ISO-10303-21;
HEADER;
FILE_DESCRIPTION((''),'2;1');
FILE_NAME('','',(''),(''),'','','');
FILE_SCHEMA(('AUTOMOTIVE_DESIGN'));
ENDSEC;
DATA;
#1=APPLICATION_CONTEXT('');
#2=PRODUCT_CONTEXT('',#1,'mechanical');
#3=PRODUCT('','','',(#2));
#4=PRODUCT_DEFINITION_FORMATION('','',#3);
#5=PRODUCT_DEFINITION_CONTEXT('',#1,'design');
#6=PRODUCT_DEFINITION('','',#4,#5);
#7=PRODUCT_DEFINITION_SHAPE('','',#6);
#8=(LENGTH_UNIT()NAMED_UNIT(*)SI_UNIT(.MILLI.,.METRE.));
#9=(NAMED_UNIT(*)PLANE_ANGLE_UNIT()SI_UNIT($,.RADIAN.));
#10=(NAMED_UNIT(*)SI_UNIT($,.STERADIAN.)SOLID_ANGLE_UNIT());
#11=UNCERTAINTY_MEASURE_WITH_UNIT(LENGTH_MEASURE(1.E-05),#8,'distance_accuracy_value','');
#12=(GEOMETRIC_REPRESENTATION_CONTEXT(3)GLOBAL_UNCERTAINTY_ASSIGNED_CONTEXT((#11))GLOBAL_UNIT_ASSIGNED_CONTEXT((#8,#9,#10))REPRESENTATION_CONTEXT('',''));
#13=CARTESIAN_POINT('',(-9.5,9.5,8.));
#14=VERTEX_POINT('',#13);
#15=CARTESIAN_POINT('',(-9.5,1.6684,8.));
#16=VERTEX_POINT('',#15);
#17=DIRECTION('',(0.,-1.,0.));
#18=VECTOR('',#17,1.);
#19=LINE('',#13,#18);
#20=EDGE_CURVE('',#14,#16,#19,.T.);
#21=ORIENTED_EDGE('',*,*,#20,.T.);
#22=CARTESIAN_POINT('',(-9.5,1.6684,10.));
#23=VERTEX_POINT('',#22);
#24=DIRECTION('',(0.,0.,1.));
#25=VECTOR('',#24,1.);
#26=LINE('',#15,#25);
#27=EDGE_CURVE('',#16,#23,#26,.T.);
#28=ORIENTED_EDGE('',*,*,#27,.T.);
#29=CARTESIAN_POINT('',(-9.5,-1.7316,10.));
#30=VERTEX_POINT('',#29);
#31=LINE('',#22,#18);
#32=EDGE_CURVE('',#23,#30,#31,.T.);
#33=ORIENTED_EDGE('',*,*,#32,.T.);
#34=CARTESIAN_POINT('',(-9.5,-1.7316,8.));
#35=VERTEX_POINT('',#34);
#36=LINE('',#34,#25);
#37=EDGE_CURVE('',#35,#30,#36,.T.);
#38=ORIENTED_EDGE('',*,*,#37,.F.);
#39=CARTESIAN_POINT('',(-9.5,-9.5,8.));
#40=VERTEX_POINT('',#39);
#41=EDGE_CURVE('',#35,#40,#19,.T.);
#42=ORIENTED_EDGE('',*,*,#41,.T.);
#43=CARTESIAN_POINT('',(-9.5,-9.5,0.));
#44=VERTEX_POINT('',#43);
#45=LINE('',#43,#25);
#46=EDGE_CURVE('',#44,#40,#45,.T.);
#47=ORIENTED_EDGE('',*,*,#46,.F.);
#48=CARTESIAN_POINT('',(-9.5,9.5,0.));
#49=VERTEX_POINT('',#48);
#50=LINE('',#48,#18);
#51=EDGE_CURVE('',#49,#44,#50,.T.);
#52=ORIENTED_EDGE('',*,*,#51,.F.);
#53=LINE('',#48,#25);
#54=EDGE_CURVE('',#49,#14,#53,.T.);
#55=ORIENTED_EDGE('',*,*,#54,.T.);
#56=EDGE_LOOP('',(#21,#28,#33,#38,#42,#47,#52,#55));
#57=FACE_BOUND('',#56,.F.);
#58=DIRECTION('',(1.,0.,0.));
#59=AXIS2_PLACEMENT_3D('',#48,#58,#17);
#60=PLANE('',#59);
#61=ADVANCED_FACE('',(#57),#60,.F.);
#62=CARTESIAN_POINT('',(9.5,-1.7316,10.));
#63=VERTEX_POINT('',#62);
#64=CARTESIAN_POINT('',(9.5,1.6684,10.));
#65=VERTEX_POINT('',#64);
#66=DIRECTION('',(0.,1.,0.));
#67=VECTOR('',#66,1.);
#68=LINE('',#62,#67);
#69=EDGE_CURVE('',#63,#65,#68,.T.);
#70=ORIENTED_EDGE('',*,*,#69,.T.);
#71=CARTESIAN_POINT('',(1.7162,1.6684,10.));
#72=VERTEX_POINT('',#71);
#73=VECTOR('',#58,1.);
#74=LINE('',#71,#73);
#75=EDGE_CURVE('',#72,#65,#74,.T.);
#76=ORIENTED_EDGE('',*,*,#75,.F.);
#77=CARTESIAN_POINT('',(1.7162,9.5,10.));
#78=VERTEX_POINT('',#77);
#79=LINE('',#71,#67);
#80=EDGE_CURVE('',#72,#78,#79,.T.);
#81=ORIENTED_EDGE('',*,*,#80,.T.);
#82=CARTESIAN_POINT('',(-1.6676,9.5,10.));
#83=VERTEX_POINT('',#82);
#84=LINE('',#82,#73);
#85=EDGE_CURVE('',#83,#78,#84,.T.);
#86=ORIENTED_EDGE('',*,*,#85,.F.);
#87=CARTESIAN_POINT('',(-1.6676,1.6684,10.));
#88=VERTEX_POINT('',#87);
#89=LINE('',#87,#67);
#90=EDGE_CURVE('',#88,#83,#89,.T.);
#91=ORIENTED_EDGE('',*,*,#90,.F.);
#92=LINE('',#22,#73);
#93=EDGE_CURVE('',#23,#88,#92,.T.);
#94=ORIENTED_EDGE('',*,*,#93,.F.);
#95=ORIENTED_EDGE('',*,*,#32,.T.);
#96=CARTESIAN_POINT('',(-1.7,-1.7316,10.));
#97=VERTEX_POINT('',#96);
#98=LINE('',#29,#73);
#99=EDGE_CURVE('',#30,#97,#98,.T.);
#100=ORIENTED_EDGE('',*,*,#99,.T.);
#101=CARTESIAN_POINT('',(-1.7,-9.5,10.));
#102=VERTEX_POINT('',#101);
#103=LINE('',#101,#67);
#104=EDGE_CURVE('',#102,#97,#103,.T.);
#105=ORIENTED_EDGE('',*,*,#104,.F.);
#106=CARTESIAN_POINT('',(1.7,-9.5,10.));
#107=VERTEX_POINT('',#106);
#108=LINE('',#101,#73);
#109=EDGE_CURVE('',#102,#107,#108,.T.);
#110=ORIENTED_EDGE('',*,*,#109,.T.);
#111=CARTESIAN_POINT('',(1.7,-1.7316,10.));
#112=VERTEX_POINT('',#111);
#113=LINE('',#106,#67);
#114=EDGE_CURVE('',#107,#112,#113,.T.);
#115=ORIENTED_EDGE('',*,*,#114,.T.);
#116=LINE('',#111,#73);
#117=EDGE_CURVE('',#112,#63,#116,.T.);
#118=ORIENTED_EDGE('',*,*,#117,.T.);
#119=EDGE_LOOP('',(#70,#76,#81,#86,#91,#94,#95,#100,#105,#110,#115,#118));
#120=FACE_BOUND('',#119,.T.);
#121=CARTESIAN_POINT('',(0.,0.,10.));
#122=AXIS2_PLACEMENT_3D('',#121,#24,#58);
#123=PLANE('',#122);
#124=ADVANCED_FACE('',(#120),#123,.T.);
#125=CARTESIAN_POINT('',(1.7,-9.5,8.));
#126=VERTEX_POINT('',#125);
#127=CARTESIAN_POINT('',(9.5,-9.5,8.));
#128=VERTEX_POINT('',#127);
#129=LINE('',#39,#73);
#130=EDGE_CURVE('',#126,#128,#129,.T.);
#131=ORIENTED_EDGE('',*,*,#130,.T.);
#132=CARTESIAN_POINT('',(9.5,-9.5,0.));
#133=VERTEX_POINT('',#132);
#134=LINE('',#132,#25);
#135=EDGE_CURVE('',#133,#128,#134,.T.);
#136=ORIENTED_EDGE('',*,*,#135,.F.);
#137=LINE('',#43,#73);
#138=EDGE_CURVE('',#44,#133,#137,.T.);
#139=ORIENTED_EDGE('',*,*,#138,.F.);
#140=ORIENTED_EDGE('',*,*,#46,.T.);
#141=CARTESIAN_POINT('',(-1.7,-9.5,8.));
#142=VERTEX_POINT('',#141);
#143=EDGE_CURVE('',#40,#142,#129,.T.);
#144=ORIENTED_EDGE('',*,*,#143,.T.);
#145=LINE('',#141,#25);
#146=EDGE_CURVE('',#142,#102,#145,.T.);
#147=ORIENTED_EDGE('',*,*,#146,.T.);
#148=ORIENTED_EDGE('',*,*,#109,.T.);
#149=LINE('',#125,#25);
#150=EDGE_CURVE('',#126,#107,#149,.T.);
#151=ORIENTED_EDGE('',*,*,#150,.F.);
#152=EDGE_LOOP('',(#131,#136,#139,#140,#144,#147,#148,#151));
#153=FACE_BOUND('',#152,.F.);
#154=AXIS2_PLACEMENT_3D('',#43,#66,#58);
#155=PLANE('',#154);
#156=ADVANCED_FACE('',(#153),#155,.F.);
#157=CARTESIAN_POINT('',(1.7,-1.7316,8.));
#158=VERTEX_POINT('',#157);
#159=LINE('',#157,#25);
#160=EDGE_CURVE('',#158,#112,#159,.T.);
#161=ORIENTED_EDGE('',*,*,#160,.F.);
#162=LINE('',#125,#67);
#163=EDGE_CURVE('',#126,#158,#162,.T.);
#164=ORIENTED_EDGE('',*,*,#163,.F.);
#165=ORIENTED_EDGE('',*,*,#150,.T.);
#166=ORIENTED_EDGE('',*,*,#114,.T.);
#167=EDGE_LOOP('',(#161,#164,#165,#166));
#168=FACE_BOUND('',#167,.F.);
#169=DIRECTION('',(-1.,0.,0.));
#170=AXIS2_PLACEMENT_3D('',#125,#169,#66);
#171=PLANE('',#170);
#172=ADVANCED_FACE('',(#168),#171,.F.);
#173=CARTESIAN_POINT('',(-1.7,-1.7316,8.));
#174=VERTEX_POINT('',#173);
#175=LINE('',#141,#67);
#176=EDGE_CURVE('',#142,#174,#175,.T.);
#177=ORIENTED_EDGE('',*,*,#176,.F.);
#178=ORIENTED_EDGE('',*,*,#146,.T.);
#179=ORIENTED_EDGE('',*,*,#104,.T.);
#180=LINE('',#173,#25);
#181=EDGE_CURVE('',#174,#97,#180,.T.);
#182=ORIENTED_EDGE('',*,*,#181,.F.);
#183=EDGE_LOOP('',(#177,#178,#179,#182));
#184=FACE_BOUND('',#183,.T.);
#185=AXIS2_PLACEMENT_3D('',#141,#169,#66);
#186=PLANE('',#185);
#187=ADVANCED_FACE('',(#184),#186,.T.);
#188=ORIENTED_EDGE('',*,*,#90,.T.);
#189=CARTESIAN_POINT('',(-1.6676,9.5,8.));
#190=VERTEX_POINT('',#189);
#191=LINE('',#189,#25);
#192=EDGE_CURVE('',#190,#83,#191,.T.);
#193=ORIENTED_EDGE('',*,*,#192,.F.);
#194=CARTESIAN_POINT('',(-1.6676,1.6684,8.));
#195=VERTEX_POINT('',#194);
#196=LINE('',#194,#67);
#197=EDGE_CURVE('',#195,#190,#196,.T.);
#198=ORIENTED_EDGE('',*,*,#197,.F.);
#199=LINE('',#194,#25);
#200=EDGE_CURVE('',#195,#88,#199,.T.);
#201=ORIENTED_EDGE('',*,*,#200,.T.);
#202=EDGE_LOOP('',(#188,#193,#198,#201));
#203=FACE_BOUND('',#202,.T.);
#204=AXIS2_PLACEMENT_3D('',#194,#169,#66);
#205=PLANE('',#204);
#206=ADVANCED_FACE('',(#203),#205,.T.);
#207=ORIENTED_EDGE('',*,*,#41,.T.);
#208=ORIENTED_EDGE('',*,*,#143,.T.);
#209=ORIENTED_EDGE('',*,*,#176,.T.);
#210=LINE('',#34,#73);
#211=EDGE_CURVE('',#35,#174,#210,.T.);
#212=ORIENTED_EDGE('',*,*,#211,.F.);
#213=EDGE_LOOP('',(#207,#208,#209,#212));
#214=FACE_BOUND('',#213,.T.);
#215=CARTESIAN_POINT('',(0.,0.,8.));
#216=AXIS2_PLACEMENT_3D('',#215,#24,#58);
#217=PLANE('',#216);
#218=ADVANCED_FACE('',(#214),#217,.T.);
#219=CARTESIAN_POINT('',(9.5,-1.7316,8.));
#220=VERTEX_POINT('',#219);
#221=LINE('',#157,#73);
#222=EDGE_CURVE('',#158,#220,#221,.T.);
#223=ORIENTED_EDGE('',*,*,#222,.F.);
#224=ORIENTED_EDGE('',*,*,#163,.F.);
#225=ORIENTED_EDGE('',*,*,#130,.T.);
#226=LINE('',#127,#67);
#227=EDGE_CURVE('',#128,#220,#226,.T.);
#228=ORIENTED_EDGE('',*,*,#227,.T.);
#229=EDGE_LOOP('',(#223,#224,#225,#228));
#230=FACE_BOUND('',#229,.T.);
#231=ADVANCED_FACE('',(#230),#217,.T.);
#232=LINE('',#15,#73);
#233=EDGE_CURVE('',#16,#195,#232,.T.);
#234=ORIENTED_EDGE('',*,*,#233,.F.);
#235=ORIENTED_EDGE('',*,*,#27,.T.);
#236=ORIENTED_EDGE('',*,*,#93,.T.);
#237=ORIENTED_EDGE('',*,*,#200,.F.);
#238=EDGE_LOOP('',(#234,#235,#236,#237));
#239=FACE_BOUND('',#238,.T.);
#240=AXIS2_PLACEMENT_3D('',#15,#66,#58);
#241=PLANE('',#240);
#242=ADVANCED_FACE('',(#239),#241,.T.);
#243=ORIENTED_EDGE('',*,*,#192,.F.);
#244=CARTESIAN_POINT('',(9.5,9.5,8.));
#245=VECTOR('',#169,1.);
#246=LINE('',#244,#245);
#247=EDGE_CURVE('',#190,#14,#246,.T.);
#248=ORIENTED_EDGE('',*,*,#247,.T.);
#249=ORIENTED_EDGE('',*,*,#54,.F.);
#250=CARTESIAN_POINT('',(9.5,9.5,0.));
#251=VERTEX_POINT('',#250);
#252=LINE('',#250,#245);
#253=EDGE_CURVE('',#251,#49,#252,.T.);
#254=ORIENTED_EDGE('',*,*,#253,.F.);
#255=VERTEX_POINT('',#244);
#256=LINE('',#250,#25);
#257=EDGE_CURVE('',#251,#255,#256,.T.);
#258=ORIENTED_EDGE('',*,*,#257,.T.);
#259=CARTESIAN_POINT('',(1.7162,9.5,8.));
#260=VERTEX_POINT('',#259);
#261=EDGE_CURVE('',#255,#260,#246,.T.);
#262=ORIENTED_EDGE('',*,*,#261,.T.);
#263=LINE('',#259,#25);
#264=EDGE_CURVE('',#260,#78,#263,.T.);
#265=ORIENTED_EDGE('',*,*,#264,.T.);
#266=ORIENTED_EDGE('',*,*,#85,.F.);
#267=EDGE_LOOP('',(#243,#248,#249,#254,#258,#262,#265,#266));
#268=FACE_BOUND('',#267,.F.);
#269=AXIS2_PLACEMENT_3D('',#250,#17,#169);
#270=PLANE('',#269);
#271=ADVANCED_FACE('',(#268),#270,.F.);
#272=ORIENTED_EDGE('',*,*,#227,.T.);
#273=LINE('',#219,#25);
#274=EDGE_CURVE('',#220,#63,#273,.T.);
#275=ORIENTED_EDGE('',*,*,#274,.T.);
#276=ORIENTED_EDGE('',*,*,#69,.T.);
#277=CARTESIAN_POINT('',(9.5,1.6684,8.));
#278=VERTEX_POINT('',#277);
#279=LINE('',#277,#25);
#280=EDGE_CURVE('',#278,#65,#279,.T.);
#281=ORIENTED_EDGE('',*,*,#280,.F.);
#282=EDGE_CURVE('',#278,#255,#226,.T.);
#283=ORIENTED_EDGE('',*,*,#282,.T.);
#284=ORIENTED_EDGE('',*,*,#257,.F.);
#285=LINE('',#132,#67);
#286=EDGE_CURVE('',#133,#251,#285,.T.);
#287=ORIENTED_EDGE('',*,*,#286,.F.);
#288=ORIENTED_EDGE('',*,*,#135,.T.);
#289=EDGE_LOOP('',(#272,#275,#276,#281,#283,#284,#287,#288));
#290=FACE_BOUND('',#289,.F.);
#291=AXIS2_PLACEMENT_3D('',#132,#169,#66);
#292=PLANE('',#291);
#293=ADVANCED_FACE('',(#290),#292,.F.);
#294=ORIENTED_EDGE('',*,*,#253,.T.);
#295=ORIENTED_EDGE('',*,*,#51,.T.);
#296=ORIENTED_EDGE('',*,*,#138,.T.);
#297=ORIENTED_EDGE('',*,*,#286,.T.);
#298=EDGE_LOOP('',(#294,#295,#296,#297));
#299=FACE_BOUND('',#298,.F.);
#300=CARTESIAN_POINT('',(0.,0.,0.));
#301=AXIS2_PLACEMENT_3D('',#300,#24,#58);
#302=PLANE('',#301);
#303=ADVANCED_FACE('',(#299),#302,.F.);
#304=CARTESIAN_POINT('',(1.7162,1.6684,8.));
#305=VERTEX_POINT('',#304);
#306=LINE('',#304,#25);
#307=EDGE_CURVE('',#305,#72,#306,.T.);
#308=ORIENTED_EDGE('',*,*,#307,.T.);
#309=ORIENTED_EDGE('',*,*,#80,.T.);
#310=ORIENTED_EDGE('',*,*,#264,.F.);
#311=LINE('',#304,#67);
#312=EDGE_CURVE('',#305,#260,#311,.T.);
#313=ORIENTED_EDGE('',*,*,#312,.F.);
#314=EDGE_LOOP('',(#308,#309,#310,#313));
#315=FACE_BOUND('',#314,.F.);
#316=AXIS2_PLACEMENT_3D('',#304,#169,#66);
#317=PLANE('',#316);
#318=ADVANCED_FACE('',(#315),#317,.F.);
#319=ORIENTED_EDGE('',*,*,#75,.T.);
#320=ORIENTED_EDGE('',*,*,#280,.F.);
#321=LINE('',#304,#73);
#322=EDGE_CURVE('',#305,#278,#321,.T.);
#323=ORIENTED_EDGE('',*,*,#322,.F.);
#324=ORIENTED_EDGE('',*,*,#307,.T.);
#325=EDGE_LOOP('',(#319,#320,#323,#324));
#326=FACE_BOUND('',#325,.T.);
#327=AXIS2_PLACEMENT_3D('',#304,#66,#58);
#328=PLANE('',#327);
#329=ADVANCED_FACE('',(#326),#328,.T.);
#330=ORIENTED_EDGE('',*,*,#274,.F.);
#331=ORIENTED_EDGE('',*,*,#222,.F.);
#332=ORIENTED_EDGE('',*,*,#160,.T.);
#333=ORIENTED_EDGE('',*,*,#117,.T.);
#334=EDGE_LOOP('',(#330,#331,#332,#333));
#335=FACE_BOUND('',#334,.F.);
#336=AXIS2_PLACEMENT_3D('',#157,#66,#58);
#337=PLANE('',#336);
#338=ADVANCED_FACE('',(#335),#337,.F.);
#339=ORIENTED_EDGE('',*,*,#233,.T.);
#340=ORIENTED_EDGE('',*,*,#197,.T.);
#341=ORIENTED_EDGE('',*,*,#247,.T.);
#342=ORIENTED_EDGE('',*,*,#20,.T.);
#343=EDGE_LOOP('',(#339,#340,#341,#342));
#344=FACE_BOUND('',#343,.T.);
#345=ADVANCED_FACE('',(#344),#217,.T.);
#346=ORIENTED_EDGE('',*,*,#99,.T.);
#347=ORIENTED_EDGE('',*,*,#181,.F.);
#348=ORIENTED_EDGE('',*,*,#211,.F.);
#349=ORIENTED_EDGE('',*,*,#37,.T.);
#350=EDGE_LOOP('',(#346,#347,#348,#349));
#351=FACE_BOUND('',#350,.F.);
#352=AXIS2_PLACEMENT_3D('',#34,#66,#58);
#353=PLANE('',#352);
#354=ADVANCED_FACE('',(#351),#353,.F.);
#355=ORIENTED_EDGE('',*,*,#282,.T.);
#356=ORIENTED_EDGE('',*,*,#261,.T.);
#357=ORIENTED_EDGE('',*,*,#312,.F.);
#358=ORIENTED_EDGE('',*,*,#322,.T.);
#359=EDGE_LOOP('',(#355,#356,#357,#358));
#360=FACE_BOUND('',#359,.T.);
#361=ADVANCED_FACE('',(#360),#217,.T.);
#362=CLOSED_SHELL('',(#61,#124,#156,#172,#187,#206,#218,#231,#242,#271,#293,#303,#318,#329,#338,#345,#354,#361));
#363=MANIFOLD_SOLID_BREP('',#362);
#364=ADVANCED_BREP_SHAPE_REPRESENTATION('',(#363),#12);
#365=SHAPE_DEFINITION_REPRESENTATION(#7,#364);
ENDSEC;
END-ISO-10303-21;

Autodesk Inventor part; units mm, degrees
ref_plane "YZ Plane" through (0, 0, 0) normal (1, 0, 0) x (0, 1, 0)
ref_plane "XZ Plane" through (0, 0, 0) normal (0, 1, 0) x (-1, 0, 0)
ref_plane "XY Plane" through (0, 0, 0) normal (0, 0, 1) x (1, 0, 0)
sketch "Sketch1" plane through (0, 0, 0) normal (0, 0, 1) x (1, 0, 0)
  line L0 (-9.5, -9.5) -> (9.5, -9.5)
  line L1 (9.5, -9.5) -> (9.5, 9.5)
  line L2 (9.5, 9.5) -> (-9.5, 9.5)
  line L3 (-9.5, 9.5) -> (-9.5, -9.5)
  line L4 (-9.5, -9.5) -> (9.5, 9.5) construction
  line L5 (9.5, -9.5) -> (-9.5, 9.5) construction
  point P0 (0, 0)
  dimension "d0" = 19
  dimension "d1" = 19
extrude "Extrusion1" add sketch "Sketch1" along normal blind 8
sketch "Sketch2" plane through (0, 0, 8) normal (0, 0, 1) x (1, 0, 0)
  line L0 (-9.5, 1.6684) -> (-1.6676, 1.6684)
  line L1 (1.7162, 1.6684) -> (9.5, 1.6684)
  line L2 (-1.7, -9.5) -> (-1.7, -1.7316)
  line L3 (-1.6676, 1.6684) -> (-1.6676, 9.5)
  line L4 (1.7, -9.5) -> (1.7, -1.7316)
  line L5 (1.7162, 1.6684) -> (1.7162, 9.5)
  line L6 (-9.5, -1.7316) -> (-1.7, -1.7316)
  line L7 (1.7, -1.7316) -> (9.5, -1.7316)
  line L8 (-9.5, 1.6684) -> (-9.5, -1.7316)
  line L9 (-1.7, -9.5) -> (1.7, -9.5)
  line L10 (9.5, -1.7316) -> (9.5, 1.6684)
  line L11 (-1.6676, 9.5) -> (1.7162, 9.5)
  point P0 (0, 0)
extrude "Extrusion2" add sketch "Sketch2" along normal blind 2
properties part number "Stop Block"
